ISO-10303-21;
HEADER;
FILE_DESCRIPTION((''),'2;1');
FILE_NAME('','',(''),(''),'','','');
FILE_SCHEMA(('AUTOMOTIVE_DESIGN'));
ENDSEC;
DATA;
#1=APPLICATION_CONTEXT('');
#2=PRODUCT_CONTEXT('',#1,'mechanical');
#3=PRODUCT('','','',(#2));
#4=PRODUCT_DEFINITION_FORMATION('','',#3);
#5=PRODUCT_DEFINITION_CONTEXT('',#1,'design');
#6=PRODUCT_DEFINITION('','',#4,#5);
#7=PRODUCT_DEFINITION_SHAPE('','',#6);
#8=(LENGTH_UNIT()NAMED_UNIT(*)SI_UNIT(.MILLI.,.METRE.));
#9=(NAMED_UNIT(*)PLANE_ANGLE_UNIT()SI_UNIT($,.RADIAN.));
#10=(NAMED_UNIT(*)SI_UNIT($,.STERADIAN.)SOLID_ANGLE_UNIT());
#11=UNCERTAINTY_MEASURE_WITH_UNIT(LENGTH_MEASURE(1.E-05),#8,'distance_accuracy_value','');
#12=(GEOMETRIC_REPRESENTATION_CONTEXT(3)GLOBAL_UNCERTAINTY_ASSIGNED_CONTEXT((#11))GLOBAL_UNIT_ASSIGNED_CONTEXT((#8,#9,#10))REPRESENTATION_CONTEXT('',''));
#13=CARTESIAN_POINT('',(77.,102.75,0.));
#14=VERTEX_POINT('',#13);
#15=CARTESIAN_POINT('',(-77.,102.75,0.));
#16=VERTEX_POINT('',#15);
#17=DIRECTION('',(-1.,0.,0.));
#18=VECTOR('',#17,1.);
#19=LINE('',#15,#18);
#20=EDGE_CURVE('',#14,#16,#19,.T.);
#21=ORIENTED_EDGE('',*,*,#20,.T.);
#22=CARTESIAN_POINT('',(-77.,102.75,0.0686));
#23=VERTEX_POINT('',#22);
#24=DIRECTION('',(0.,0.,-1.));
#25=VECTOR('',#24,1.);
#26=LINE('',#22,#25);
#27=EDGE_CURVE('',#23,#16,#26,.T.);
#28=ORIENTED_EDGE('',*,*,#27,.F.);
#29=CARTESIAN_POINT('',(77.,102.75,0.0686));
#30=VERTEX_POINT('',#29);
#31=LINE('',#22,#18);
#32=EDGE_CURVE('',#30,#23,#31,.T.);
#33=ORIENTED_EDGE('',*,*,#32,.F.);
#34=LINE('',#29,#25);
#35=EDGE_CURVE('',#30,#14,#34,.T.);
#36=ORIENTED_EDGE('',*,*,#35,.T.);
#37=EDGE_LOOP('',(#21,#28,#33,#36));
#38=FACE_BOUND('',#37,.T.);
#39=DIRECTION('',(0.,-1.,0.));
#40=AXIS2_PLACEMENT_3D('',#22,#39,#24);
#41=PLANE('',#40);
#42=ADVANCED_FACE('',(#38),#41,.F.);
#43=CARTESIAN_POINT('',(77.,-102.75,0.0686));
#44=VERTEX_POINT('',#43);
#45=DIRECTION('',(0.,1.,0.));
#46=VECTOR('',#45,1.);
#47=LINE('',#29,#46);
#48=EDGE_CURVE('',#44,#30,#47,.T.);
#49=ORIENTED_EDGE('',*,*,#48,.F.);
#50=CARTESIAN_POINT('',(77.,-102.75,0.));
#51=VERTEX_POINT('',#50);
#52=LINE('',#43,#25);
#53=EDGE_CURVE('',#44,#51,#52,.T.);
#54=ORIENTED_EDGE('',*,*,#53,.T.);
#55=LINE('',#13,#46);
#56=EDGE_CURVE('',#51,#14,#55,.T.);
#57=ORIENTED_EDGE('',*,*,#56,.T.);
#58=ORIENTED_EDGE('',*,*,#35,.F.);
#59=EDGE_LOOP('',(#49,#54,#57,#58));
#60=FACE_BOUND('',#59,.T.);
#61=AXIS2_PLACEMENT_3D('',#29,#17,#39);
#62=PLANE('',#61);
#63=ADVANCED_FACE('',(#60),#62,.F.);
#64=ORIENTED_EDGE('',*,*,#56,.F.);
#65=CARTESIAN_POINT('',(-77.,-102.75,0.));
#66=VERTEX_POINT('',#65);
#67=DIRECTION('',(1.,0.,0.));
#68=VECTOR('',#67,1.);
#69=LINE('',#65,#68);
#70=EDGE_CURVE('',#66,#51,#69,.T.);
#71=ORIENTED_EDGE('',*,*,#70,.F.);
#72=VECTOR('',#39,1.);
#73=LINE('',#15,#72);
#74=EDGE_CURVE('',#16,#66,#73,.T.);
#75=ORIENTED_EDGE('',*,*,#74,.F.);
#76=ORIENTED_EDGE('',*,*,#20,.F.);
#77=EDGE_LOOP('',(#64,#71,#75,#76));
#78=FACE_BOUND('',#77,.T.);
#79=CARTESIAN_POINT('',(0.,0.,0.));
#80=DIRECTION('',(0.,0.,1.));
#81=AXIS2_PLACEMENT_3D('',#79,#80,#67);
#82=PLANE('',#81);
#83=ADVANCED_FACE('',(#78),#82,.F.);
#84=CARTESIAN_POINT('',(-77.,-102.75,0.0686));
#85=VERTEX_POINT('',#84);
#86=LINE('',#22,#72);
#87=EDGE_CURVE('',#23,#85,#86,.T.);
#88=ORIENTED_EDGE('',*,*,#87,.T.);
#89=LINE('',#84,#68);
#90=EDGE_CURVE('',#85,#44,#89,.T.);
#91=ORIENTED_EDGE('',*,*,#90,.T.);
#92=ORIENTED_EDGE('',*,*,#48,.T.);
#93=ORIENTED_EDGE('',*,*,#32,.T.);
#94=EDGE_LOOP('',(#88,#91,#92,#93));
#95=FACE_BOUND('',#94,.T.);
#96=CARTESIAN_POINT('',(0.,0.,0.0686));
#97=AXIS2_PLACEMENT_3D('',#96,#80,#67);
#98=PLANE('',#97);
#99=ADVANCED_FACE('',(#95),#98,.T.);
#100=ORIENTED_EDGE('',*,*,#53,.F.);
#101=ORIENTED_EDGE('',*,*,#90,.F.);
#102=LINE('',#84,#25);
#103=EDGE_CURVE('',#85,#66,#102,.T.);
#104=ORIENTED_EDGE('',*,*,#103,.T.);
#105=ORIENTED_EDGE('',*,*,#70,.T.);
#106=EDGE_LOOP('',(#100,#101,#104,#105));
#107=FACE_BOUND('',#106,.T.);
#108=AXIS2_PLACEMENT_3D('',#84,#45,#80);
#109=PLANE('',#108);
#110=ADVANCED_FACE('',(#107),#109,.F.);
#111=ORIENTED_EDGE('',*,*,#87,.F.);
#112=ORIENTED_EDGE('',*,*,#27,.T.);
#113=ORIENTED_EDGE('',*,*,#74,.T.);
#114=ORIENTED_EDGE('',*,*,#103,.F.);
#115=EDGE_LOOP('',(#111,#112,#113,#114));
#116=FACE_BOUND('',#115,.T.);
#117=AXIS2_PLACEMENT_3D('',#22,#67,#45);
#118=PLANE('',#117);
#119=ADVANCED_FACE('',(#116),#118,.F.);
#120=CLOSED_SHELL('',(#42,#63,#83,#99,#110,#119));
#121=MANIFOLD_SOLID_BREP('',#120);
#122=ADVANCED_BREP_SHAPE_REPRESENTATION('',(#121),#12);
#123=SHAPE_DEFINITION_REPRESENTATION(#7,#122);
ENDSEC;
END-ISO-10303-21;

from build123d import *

# Parameters (mm, degrees)
SKETCH1_W  = 154
SKETCH1_H  = 205.5
BODY_DEPTH = 0.0686


with BuildPart() as part:
    # Sketch1 → Body (new body)
    with BuildSketch(Plane.XY):
        Rectangle(SKETCH1_W, SKETCH1_H)
    extrude(amount=BODY_DEPTH)


solid = part.part
